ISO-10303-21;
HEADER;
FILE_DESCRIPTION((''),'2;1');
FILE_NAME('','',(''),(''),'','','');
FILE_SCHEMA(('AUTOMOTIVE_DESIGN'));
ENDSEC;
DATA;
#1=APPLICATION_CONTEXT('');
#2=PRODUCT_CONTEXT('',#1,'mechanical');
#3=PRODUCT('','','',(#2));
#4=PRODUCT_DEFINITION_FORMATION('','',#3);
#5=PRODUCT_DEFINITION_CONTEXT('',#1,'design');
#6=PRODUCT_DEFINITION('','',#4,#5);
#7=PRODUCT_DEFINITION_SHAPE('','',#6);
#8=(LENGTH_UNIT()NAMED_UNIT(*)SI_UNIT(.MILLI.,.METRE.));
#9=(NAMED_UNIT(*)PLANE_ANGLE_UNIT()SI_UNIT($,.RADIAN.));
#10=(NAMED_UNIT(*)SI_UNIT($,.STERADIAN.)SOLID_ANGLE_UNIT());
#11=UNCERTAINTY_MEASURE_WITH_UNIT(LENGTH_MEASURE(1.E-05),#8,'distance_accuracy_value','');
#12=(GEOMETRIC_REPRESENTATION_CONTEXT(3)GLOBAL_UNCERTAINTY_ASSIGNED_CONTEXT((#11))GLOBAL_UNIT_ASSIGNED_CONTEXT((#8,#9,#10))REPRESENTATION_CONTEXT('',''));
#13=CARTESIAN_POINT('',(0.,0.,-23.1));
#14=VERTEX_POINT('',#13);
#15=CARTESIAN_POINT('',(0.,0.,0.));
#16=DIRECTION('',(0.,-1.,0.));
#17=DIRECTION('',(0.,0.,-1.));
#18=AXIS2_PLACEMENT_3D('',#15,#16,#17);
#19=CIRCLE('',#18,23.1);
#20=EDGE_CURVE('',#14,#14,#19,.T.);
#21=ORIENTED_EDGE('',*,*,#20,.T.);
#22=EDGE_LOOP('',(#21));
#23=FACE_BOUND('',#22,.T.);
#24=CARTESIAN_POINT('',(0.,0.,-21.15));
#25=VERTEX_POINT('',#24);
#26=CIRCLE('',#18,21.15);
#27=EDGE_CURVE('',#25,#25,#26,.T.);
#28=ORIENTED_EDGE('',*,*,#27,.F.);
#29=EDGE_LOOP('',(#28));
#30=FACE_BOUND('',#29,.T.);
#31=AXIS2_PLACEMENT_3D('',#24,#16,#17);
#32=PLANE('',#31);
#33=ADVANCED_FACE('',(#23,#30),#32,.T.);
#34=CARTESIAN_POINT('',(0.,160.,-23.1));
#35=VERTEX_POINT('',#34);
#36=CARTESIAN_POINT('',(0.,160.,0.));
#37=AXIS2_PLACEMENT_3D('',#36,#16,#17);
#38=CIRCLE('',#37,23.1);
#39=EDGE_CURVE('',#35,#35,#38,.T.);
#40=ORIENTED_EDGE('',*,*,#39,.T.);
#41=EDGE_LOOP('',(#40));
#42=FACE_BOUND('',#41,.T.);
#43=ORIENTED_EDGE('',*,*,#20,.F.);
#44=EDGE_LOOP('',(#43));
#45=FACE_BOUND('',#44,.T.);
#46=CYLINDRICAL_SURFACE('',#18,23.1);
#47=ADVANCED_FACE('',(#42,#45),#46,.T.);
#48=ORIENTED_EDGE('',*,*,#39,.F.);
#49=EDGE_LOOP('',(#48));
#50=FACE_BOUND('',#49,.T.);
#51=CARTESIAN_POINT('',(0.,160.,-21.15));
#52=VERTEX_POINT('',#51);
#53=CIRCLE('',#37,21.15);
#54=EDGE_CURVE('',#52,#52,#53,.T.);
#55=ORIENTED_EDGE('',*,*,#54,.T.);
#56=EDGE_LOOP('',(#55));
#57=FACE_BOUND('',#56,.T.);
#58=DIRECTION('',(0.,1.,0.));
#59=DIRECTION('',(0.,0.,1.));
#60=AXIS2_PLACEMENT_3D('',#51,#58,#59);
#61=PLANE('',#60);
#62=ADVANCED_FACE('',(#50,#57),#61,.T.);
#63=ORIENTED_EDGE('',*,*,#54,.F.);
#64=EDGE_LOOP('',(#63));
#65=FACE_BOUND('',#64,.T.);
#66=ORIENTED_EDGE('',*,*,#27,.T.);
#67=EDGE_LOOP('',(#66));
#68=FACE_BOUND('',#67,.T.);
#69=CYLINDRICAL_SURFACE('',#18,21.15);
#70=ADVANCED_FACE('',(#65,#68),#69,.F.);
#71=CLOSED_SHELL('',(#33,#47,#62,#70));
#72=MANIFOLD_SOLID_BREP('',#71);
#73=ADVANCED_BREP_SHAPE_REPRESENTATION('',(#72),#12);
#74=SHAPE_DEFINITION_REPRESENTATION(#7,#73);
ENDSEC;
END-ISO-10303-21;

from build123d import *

# Parameters (mm, degrees)
CROQUIS1_W = 1.95
CROQUIS1_H = 160


with BuildPart() as part:
    # Croquis1 → Revolución1 (revolve)
    with BuildSketch(Plane(origin=(0, 0, 0), x_dir=(0, 0, -1), z_dir=(1, 0, 0))):
        with Locations((22.125, 80)):
            Rectangle(CROQUIS1_W, CROQUIS1_H)
    revolve(axis=Axis((0, 0, 0), (0, 1, 0)))


solid = part.part
